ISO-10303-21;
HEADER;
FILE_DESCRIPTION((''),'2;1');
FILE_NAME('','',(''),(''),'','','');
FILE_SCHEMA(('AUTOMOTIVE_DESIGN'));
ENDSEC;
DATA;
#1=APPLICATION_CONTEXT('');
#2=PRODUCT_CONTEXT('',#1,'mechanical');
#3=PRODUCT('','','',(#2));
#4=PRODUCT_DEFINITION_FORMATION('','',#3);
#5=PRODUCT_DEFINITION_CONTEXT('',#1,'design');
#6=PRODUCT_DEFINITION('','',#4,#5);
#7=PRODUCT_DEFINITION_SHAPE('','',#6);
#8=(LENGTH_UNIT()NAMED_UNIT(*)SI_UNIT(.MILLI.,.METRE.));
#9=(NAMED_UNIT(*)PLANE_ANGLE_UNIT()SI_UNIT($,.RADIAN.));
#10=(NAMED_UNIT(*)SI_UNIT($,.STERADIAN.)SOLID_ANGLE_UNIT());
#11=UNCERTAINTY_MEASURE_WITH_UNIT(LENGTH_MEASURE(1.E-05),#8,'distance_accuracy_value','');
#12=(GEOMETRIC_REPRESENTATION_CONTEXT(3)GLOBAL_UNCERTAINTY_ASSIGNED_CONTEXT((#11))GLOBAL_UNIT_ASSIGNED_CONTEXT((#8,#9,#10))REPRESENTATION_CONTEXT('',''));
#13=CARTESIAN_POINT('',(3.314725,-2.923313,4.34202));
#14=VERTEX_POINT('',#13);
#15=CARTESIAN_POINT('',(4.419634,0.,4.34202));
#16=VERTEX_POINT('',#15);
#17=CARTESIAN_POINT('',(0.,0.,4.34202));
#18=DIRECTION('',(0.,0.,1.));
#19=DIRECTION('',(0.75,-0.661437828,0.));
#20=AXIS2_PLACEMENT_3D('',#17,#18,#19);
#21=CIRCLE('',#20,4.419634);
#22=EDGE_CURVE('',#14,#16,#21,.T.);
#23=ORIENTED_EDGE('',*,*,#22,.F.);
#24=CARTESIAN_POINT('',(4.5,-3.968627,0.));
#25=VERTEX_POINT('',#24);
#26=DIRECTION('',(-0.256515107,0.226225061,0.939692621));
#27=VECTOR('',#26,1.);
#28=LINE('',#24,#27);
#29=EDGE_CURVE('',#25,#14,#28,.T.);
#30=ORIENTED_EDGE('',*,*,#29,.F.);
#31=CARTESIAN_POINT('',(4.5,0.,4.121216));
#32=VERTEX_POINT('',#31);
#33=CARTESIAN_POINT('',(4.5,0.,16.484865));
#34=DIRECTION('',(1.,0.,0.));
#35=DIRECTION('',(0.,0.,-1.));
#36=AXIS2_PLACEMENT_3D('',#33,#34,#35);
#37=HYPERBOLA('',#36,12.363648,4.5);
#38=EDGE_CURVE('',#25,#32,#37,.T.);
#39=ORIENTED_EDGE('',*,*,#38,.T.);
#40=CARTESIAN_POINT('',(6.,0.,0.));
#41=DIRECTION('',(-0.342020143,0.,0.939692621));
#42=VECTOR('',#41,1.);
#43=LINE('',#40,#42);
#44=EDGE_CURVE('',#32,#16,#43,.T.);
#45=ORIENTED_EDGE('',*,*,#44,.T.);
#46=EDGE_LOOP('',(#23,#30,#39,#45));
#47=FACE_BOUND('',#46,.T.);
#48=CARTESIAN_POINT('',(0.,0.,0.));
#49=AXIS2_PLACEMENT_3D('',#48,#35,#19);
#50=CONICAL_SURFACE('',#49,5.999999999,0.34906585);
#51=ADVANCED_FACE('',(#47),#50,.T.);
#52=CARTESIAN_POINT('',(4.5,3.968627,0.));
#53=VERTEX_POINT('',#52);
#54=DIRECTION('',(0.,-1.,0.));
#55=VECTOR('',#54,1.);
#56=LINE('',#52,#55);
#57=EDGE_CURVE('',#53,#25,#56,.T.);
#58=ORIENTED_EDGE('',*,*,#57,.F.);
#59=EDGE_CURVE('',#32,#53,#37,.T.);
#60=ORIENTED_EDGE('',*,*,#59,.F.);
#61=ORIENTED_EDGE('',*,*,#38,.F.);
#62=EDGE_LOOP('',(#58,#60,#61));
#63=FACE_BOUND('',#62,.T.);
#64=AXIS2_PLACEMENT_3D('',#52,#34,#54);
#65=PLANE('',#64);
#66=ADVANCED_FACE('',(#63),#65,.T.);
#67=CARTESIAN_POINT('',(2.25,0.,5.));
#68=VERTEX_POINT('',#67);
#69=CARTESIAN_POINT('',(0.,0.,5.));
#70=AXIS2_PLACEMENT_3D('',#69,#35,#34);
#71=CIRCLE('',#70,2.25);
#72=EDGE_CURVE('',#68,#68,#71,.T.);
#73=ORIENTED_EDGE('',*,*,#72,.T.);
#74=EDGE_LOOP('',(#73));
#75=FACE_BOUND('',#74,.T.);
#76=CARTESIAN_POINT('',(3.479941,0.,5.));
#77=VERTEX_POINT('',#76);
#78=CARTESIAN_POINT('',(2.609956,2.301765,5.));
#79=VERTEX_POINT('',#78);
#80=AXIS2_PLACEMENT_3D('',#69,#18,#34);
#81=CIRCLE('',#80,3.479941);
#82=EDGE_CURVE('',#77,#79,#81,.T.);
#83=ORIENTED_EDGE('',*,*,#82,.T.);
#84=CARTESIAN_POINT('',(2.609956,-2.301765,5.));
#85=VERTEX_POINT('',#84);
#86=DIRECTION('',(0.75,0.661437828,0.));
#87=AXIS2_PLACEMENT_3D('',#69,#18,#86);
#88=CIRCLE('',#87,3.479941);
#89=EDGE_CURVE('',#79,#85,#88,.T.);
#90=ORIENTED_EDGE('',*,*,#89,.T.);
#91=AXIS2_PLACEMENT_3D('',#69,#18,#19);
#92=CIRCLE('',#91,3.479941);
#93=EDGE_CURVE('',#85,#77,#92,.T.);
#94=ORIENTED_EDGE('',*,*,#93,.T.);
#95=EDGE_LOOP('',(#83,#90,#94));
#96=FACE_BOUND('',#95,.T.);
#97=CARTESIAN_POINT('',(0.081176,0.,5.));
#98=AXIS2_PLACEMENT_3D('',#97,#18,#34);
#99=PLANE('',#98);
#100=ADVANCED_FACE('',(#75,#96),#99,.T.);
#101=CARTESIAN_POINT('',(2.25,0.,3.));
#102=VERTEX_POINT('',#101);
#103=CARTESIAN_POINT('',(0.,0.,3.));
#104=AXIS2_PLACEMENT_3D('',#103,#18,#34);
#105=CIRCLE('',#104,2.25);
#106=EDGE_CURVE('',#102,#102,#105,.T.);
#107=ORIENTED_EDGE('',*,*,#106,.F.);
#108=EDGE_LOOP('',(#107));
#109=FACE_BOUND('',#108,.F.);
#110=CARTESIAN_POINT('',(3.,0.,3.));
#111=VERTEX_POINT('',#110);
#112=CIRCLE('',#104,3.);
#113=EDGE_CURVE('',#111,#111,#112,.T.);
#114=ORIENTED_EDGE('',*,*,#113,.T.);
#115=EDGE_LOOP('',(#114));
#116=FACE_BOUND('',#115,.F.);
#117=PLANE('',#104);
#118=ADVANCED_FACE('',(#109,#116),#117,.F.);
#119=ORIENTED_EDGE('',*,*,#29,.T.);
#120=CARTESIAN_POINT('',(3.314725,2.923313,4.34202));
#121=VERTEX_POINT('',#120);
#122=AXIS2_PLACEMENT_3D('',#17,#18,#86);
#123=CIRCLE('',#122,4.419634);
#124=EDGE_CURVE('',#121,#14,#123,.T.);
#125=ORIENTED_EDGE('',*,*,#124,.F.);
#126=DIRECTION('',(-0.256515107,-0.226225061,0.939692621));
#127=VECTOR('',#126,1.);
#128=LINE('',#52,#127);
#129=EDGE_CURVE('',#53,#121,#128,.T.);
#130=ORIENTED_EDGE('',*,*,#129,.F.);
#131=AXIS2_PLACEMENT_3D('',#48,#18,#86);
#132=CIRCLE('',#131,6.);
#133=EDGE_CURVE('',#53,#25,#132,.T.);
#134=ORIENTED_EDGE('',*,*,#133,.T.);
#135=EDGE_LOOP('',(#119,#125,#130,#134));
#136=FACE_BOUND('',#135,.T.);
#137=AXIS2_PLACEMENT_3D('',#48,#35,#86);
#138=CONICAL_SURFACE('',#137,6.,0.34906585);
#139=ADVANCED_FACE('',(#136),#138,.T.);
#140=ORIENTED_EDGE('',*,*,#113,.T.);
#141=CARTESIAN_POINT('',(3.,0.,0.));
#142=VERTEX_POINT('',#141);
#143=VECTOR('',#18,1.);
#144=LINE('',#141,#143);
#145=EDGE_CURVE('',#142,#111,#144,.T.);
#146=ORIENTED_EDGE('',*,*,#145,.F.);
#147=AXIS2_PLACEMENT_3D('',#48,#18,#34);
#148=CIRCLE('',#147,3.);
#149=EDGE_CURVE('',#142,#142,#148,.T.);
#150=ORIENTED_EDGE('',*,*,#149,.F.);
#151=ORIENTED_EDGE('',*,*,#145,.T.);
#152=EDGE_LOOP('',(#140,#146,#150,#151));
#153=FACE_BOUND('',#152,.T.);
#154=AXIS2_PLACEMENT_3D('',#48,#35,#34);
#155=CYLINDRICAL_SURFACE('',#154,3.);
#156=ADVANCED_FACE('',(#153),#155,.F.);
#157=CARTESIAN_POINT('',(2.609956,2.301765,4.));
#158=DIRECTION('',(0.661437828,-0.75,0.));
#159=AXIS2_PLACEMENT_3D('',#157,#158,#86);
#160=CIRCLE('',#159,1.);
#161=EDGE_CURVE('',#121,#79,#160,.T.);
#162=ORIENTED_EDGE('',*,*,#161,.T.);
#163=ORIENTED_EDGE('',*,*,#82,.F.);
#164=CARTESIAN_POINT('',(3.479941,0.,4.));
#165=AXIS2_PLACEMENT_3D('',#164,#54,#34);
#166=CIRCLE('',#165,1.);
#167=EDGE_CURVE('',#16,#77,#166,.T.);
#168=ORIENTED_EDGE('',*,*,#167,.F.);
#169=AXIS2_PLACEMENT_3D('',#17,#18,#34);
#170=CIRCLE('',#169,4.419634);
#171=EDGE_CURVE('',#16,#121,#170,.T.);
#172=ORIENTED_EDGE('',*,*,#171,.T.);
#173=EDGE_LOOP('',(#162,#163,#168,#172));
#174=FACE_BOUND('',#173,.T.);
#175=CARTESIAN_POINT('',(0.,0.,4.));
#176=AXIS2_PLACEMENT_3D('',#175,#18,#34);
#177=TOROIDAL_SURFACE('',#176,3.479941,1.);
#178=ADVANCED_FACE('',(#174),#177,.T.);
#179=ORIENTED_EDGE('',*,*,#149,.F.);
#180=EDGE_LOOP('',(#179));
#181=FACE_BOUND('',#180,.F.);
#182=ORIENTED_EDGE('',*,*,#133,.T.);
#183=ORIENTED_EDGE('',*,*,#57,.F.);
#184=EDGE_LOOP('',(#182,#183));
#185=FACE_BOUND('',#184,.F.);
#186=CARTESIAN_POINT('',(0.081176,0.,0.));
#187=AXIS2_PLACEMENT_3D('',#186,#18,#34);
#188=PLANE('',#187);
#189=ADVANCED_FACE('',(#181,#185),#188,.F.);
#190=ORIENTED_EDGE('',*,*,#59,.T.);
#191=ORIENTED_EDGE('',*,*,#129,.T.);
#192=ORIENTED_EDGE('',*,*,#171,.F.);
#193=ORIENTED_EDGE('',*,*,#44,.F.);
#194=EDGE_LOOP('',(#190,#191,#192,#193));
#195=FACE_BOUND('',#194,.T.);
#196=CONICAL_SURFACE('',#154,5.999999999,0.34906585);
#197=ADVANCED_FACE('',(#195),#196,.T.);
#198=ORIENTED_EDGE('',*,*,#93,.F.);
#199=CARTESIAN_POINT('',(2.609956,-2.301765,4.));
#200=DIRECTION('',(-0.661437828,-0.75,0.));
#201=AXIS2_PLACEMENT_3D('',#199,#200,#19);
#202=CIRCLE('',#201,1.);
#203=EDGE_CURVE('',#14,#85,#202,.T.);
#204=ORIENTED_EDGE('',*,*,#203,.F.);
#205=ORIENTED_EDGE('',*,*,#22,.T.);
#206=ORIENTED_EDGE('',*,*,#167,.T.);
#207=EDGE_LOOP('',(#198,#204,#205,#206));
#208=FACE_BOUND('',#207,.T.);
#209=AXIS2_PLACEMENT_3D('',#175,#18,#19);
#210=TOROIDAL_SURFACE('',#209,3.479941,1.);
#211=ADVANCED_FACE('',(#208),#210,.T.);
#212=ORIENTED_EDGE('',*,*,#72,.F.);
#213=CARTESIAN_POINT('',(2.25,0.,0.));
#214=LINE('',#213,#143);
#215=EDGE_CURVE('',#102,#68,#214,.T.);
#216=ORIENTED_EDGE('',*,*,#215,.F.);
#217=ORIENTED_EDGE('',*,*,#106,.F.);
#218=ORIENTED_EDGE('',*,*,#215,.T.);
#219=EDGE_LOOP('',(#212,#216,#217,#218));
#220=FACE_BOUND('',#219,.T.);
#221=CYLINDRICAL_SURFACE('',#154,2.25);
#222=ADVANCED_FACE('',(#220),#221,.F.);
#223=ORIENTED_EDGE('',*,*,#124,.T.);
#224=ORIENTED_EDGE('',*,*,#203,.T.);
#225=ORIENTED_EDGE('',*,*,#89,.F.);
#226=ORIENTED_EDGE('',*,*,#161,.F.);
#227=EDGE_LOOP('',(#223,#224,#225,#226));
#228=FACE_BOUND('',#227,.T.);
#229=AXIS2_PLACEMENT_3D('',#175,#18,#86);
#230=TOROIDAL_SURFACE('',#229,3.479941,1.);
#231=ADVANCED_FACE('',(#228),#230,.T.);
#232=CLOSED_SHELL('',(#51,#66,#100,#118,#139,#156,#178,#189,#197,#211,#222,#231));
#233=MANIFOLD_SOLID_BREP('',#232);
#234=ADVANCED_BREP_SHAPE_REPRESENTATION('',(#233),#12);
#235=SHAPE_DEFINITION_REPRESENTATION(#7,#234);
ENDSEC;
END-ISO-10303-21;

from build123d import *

# Parameters (mm, degrees)
F0_R     = 3
F0_R_2   = 2.25
F1_DEPTH = 5
F1_TAPER = 20
F2_DEPTH = 3
F3_DEPTH = 25
F4_R     = 1
F5_DEPTH = 25


with BuildPart() as f1:
    # F0 (on Top) → F1 (new body)
    with BuildSketch(Plane.XY):
        with BuildLine():
            Line((4.5, -3.9686269666), (4.5, 3.9686269666))
            ThreePointArc((4.5, 3.9686269666), (-6, 0), (4.5, -3.9686269666))
        make_face()
        Circle(F0_R, mode=Mode.SUBTRACT)
        Circle(F0_R)
        Circle(F0_R_2, mode=Mode.SUBTRACT)
        Circle(F0_R_2)
        with BuildLine():
            ThreePointArc((4.5, -3.9686269666), (5.6124860802, -2.1213203436), (6, 0))
            ThreePointArc((6, 0), (5.6124860802, 2.1213203436), (4.5, 3.9686269666))
            Line((4.5, 3.9686269666), (4.5, -3.9686269666))
        make_face()
    extrude(amount=F1_DEPTH, taper=F1_TAPER)

    # F0 (on Top) → F2 (cut)
    with BuildSketch(Plane.XY):
        Circle(F0_R)
        Circle(F0_R_2, mode=Mode.SUBTRACT)
    extrude(amount=F2_DEPTH, mode=Mode.SUBTRACT)

    # F0 (on Top) → F3 (cut)
    with BuildSketch(Plane.XY):
        Circle(F0_R_2)
    extrude(amount=F3_DEPTH, mode=Mode.SUBTRACT)

    # F4
    f4_edges = [f1.edges().sort_by_distance(p)[0] for p in [
        (-3.135112, 2.764909, 5),
    ]]
    fillet(f4_edges, radius=F4_R)

    # F0 (on Top) → F5 (cut)
    with BuildSketch(Plane.XY):
        with BuildLine():
            ThreePointArc((4.5, -3.9686269666), (5.6124860802, -2.1213203436), (6, 0))
            ThreePointArc((6, 0), (5.6124860802, 2.1213203436), (4.5, 3.9686269666))
            Line((4.5, 3.9686269666), (4.5, -3.9686269666))
        make_face()
    extrude(amount=F5_DEPTH, mode=Mode.SUBTRACT)


solid = f1.part
